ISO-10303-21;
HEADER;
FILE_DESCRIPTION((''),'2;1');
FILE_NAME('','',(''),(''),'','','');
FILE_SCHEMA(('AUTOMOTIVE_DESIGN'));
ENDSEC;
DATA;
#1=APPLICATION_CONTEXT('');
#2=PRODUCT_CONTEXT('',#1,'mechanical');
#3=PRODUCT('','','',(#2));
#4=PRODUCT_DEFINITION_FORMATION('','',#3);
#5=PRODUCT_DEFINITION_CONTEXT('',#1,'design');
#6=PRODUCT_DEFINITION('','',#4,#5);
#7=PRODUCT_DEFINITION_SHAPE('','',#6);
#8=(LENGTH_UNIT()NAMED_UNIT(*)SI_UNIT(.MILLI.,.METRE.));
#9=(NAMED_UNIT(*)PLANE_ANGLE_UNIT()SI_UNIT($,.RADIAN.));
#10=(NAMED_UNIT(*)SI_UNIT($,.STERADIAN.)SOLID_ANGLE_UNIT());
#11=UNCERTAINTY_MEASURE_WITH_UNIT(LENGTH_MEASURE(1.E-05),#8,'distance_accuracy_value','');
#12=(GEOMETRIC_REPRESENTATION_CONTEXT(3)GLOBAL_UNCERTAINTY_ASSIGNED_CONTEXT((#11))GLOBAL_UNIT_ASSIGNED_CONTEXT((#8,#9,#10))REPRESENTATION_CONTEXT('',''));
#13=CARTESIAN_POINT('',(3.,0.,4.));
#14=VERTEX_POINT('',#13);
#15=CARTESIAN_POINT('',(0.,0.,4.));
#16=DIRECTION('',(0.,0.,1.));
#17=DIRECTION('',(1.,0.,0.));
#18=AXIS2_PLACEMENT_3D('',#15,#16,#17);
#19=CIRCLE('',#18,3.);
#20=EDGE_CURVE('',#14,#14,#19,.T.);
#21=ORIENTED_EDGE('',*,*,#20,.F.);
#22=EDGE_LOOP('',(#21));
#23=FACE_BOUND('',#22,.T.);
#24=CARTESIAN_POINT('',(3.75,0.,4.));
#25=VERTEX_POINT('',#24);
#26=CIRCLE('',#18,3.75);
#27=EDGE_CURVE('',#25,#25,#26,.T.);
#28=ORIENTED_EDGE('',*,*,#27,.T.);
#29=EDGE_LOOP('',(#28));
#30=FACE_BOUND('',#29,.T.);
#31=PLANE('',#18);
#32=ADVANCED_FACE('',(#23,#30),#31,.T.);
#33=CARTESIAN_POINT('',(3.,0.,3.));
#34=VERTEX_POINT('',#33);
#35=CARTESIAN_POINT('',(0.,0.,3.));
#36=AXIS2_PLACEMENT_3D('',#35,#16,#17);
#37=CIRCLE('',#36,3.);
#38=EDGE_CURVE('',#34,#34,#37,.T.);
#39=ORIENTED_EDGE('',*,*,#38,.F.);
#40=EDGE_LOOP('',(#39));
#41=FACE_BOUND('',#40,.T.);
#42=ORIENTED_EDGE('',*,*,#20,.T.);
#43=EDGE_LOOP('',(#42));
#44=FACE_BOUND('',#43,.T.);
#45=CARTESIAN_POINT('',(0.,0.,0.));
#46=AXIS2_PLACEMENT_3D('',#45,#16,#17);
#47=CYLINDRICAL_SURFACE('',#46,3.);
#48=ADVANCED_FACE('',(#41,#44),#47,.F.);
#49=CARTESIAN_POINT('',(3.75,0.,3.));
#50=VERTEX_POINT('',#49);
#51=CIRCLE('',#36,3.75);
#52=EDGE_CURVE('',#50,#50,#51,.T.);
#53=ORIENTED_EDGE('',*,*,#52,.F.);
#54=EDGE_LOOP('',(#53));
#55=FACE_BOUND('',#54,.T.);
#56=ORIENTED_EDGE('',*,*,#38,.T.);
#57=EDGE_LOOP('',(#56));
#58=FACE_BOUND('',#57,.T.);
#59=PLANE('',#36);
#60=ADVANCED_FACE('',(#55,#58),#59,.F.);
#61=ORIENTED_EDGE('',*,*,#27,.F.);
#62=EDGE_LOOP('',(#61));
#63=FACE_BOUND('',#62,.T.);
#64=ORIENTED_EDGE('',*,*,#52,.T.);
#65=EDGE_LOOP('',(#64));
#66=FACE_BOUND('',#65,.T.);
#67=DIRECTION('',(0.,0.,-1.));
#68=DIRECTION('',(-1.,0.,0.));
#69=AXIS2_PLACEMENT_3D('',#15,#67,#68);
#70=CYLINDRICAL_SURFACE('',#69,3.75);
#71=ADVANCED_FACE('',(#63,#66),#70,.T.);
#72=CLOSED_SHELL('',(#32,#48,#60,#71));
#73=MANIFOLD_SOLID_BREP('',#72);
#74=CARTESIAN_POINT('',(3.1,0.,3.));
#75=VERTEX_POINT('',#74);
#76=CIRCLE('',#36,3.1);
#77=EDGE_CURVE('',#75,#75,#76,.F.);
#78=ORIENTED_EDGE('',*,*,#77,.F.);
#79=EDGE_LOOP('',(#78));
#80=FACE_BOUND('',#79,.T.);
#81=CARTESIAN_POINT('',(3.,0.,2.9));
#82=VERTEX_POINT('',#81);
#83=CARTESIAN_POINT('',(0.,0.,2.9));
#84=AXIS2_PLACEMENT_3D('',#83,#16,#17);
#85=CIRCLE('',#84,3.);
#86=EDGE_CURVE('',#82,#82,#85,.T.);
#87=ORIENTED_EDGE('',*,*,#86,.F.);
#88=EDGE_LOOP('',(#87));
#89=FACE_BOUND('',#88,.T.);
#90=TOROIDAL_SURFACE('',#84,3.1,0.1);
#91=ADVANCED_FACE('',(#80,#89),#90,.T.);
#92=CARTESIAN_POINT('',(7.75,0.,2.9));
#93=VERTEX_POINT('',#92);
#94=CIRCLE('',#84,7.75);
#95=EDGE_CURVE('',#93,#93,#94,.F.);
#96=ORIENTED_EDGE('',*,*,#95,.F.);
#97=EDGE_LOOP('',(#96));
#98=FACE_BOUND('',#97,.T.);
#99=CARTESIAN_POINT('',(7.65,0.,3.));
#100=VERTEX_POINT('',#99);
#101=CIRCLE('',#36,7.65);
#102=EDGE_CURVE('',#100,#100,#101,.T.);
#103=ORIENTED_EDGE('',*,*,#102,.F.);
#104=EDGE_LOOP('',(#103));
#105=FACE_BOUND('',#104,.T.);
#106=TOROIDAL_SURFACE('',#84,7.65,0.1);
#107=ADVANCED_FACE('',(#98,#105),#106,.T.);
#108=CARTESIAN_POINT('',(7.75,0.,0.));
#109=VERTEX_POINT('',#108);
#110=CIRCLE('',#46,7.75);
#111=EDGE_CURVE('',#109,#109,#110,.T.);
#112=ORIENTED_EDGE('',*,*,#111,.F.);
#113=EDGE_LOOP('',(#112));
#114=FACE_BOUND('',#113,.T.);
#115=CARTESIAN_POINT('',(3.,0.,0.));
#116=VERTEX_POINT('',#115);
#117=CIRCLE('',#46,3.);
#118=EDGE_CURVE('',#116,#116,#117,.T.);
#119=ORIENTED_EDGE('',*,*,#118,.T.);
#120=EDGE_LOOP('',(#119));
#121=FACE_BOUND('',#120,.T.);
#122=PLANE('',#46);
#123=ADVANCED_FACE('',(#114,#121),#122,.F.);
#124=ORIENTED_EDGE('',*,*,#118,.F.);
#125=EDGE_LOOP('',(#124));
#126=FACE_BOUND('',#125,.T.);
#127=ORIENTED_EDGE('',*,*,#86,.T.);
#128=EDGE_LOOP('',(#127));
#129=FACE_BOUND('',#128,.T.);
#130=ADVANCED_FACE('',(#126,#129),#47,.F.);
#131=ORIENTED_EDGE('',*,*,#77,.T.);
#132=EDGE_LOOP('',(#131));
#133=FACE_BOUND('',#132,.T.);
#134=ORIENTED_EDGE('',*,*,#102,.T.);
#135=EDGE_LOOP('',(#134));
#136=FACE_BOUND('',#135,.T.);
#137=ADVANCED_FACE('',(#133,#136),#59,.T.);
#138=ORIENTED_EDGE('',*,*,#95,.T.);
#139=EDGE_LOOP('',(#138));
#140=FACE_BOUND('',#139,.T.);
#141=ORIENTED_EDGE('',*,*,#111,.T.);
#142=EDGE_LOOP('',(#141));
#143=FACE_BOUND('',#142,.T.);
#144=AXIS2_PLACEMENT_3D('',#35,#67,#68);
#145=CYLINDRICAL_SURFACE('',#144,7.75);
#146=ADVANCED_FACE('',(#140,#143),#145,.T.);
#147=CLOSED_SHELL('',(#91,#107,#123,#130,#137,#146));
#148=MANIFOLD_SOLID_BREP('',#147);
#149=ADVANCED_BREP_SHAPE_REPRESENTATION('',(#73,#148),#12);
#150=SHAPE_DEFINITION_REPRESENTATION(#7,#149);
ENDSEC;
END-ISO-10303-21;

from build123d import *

# Parameters (mm, degrees)
SKETCH_1_R          = 7.75
EXTRUDE_1_DEPTH     = 3
SKETCH_2_R          = 3.75
EXTRUDE_2_DEPTH     = 1
SKETCH_3_R          = 3
CUT_EXTRUDE_1_DEPTH = 12.66726189
FILLET_1_R          = 0.1


with BuildPart() as part:
    # Эскиз1 → Бобышка-Вытянуть1 (new body)
    with BuildSketch(Plane.XY):
        Circle(SKETCH_1_R)
    extrude(amount=EXTRUDE_1_DEPTH)


with BuildPart() as body_2:
    # Эскиз2 → Бобышка-Вытянуть2 (new body)
    with BuildSketch(Plane.XY.offset(3)):
        Circle(SKETCH_2_R)
    extrude(amount=EXTRUDE_2_DEPTH)


with BuildPart() as cut_extrude_1_tool:
    # Эскиз3 → Вырез-Вытянуть1 (new, through all)
    with BuildSketch(Plane.XY.offset(4)):
        Circle(SKETCH_3_R)
    extrude(amount=-CUT_EXTRUDE_1_DEPTH)


with BuildPart() as part_1:
    add(part.part)

    # Вырез-Вытянуть1: cut by cut_extrude_1_tool
    add(cut_extrude_1_tool.part, mode=Mode.SUBTRACT)

    # Скругление1
    fillet_1_edges = [part_1.edges().sort_by_distance(p)[0] for p in [
        (-7.75, 0, 3),
        (-3, 0, 3),
    ]]
    fillet(fillet_1_edges, radius=FILLET_1_R)


with BuildPart() as body_2_1:
    add(body_2.part)

    # Вырез-Вытянуть1: cut by cut_extrude_1_tool
    add(cut_extrude_1_tool.part, mode=Mode.SUBTRACT)


solid = Compound([part_1.part, body_2_1.part])
